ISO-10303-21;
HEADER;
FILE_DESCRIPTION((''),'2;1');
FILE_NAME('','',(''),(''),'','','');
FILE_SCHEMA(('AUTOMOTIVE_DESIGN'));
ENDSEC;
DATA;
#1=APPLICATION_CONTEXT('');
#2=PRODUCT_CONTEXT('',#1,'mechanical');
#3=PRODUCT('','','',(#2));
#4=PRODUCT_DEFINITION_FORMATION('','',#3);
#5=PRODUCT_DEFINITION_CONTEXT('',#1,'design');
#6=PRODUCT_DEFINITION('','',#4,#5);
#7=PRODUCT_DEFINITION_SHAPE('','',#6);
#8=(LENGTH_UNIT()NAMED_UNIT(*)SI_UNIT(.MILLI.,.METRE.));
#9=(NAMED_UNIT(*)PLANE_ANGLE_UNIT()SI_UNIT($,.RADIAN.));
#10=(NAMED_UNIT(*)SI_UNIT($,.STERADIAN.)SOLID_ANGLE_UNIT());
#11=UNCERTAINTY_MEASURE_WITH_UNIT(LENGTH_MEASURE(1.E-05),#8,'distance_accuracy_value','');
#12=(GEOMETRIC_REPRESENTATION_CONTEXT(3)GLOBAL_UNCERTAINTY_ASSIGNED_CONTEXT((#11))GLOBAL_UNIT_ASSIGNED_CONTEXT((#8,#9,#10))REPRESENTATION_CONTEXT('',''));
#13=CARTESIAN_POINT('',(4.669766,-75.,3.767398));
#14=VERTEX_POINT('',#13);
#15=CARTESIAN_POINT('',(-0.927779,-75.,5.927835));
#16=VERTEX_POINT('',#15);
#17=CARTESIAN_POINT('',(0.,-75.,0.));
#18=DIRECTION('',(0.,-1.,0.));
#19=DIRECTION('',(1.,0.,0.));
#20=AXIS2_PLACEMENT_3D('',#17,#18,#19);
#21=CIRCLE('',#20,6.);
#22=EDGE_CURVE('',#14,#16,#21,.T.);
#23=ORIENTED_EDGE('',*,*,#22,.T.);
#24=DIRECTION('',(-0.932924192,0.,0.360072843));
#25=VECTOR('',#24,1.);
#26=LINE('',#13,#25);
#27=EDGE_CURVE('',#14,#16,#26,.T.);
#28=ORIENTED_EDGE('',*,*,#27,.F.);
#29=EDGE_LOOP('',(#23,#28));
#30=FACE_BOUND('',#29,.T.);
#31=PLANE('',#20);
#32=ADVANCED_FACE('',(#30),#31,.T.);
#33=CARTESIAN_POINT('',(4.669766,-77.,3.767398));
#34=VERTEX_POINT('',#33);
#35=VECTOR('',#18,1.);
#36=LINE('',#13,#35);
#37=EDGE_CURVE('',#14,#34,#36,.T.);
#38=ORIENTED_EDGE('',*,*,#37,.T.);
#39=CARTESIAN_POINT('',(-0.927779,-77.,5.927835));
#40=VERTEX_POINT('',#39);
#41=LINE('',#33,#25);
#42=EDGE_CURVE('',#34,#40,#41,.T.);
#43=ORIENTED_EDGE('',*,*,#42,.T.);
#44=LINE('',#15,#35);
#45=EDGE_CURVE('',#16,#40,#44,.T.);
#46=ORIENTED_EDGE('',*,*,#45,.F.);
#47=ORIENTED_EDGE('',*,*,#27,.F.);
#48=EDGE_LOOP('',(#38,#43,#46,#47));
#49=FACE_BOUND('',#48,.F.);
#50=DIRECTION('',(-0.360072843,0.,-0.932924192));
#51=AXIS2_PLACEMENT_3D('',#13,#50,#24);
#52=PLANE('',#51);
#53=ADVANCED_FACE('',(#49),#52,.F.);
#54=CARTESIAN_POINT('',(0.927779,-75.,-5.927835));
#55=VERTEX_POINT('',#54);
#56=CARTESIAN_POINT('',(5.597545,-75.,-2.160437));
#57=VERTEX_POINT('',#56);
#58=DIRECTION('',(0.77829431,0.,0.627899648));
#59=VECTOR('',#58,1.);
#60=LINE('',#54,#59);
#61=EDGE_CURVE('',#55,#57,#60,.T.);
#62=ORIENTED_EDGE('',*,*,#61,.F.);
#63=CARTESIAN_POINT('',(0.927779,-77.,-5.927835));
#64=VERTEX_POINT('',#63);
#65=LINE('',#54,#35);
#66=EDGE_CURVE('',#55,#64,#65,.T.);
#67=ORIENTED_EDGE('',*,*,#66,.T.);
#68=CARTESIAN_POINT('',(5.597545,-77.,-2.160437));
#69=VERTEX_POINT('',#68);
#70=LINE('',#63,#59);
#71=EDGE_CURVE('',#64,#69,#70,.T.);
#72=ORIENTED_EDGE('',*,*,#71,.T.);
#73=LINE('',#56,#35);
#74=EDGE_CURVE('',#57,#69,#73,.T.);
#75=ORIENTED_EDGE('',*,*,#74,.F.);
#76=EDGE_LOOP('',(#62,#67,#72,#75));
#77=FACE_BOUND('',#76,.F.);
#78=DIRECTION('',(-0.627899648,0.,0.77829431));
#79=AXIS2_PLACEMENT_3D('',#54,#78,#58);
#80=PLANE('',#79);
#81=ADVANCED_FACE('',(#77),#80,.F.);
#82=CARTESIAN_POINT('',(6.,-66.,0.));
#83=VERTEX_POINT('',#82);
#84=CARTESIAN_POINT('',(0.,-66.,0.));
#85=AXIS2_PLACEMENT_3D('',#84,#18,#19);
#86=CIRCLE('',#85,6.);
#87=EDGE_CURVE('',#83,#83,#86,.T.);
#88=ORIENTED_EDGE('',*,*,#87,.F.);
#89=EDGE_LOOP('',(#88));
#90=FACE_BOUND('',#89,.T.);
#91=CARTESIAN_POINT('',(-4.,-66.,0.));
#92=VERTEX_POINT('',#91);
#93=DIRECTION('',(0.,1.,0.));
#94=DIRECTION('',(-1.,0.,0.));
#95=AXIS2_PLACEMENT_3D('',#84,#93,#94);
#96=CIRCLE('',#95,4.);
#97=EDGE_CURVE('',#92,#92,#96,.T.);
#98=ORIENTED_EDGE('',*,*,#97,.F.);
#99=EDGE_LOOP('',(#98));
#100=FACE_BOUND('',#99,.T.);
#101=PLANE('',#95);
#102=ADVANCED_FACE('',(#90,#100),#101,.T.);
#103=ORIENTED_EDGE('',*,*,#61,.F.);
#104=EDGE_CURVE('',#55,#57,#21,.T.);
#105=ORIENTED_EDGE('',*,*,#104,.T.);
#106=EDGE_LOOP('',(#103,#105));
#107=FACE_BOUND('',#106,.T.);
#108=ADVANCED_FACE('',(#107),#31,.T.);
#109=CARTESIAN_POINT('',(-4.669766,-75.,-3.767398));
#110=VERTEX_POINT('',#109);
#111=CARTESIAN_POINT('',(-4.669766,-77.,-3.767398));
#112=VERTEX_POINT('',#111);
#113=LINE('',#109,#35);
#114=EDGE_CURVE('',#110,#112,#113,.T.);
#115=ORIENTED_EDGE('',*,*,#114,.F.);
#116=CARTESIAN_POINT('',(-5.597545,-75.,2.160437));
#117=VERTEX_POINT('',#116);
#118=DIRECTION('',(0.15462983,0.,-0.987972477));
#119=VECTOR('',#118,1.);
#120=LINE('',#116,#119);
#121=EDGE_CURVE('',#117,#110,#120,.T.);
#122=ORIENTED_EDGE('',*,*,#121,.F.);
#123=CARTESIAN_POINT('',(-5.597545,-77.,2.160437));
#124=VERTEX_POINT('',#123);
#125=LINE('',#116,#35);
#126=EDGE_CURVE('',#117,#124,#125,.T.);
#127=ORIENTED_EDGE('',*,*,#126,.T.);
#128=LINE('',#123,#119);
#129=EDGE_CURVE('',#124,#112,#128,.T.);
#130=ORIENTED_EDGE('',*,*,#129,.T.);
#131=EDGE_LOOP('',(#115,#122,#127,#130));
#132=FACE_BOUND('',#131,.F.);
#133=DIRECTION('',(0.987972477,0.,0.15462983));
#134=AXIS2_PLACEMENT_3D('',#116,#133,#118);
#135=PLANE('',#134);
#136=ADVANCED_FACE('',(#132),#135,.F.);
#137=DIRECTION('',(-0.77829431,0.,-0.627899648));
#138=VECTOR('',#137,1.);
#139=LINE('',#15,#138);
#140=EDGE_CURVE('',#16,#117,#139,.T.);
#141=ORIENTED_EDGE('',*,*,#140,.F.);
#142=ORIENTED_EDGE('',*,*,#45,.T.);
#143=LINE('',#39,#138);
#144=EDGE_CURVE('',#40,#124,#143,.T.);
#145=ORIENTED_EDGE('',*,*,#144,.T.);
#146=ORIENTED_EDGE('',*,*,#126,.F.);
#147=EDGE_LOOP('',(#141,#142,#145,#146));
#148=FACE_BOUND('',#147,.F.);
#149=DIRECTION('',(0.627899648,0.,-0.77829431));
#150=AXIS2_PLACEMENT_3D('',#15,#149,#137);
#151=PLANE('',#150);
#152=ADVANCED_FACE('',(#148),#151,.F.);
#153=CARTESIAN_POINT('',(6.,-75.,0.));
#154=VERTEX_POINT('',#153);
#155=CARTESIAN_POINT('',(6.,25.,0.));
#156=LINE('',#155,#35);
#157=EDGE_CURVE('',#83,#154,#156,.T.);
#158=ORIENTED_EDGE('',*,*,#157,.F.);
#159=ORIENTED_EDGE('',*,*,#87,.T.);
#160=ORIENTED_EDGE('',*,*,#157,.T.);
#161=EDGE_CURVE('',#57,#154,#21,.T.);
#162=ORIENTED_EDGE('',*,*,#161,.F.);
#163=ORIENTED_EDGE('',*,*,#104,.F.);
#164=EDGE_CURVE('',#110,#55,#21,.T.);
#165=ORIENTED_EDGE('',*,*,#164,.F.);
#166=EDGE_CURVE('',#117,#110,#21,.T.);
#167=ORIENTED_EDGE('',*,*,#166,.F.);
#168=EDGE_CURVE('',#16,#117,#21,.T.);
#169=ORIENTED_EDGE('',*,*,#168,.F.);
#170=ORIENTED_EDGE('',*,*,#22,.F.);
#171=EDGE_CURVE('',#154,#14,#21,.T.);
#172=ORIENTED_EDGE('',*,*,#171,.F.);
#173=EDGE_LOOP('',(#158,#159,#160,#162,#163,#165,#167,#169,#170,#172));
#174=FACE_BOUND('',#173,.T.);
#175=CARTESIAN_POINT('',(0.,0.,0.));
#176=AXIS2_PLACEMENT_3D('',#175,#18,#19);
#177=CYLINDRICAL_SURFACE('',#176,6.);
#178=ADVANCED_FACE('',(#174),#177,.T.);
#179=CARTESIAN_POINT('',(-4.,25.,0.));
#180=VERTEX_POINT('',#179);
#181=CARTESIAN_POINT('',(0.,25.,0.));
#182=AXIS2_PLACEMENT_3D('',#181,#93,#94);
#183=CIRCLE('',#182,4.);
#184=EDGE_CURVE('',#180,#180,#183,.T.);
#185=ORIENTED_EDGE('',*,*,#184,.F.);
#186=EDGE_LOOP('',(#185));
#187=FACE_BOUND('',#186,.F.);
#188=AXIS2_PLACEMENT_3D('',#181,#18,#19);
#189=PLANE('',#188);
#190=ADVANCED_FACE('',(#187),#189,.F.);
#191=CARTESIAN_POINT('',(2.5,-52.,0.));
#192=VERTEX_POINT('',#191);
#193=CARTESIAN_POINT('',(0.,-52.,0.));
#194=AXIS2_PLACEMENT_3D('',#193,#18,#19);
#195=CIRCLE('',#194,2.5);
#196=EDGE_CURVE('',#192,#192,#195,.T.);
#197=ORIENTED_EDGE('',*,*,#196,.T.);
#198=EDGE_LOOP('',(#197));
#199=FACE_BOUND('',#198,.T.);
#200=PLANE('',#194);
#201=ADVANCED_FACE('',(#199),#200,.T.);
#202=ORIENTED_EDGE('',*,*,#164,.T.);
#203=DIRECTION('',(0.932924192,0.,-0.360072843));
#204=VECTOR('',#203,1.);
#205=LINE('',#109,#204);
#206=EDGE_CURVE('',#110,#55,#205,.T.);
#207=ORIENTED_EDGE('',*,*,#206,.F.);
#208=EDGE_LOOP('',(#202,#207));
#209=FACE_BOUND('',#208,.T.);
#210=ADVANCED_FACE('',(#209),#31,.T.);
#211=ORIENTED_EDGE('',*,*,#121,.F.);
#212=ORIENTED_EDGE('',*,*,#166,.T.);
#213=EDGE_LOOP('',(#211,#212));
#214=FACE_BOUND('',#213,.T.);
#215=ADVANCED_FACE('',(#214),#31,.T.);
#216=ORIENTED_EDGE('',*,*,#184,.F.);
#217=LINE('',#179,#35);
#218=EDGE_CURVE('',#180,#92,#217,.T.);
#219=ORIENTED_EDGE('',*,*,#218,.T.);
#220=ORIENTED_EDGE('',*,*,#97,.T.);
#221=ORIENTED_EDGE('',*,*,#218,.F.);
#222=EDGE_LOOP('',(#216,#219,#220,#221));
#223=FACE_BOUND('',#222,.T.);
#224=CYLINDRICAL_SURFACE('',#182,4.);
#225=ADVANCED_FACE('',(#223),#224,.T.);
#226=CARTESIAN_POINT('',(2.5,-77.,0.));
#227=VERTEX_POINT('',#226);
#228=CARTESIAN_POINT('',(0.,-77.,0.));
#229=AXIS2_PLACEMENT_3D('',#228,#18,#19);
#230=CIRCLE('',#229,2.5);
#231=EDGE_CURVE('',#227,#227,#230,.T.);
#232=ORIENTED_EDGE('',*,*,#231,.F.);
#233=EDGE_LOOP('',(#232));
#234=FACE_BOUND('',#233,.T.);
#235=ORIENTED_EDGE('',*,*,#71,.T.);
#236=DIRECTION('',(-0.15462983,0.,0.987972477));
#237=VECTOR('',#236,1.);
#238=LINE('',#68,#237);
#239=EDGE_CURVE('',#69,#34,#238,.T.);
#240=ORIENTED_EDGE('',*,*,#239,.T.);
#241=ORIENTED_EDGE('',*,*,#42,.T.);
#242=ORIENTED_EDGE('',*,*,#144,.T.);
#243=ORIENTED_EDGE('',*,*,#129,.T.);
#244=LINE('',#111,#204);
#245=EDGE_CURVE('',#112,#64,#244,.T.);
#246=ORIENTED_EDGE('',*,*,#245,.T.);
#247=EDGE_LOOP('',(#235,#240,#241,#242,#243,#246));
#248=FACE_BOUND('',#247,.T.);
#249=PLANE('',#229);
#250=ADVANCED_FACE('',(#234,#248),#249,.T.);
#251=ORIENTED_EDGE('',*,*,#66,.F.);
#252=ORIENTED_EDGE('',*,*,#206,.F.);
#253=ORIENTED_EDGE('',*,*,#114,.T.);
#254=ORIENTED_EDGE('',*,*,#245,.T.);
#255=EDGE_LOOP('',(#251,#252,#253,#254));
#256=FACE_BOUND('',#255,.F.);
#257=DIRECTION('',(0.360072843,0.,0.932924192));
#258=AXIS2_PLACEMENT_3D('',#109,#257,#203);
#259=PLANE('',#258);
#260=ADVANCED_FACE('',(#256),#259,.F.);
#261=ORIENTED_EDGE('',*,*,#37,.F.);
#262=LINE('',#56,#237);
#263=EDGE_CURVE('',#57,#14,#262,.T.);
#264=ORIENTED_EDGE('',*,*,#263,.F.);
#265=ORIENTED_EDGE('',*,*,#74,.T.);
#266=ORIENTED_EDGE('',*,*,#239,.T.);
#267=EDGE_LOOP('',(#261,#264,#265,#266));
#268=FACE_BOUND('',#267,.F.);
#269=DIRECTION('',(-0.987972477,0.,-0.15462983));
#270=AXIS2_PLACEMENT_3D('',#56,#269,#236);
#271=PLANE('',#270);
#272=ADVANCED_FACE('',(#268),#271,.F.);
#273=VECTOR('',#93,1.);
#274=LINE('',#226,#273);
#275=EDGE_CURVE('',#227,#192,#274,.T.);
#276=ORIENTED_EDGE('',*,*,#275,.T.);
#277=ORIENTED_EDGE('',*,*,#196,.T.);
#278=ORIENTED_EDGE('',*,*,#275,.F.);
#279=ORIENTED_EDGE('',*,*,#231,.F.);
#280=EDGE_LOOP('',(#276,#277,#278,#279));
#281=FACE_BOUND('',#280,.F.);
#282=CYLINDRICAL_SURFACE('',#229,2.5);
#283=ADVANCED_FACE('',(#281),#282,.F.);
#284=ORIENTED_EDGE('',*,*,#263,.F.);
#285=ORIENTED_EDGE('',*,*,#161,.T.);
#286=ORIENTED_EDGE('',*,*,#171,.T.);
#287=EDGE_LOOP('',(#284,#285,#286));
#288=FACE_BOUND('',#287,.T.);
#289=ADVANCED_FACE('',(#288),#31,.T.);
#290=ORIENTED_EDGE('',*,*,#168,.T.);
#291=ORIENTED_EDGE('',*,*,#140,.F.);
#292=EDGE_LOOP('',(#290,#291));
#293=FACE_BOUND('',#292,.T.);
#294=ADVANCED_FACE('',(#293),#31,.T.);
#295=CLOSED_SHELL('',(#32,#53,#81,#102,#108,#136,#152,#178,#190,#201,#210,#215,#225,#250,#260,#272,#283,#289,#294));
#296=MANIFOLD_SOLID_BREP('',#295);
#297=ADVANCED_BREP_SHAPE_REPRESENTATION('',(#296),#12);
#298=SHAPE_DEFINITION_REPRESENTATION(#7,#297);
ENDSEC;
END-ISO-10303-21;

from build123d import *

# Parameters (mm, degrees)
F0_R          = 6
F1_DEPTH      = 75
F1_DEPTH_BACK = 25
F3_DEPTH      = 2
F4_R          = 2.5
F5_DEPTH      = 25
F6_R          = 6
F6_R_2        = 4
F7_DEPTH      = 91


with BuildPart() as f1:
    # F0 (on Front) → F1 (new body, two sides)
    with BuildSketch(Plane.XZ) as f1_sk:
        Circle(F0_R)
    extrude(amount=F1_DEPTH)
    extrude(f1_sk.sketch, amount=-F1_DEPTH_BACK)

    # F2 (on face) → F3 (join)
    with BuildSketch(Plane.XZ.offset(75)):
        Polygon((5.597545, -2.160437), (4.669766, 3.767398), (-0.927779, 5.927835), (-5.597545, 2.160437), (-4.669766, -3.767398), (0.927779, -5.927835), align=None)
    extrude(amount=F3_DEPTH)

    # F4 (on face) → F5 (cut)
    with BuildSketch(Plane.XZ.offset(77)):
        Circle(F4_R)
    extrude(amount=-F5_DEPTH, mode=Mode.SUBTRACT)

    # F6 (on face) → F7 (cut)
    with BuildSketch(Plane(origin=(0, 25, 0), x_dir=(-1, 0, 0), z_dir=(0, 1, 0))):
        Circle(F6_R)
        Circle(F6_R_2, mode=Mode.SUBTRACT)
    extrude(amount=-F7_DEPTH, mode=Mode.SUBTRACT)


solid = f1.part
